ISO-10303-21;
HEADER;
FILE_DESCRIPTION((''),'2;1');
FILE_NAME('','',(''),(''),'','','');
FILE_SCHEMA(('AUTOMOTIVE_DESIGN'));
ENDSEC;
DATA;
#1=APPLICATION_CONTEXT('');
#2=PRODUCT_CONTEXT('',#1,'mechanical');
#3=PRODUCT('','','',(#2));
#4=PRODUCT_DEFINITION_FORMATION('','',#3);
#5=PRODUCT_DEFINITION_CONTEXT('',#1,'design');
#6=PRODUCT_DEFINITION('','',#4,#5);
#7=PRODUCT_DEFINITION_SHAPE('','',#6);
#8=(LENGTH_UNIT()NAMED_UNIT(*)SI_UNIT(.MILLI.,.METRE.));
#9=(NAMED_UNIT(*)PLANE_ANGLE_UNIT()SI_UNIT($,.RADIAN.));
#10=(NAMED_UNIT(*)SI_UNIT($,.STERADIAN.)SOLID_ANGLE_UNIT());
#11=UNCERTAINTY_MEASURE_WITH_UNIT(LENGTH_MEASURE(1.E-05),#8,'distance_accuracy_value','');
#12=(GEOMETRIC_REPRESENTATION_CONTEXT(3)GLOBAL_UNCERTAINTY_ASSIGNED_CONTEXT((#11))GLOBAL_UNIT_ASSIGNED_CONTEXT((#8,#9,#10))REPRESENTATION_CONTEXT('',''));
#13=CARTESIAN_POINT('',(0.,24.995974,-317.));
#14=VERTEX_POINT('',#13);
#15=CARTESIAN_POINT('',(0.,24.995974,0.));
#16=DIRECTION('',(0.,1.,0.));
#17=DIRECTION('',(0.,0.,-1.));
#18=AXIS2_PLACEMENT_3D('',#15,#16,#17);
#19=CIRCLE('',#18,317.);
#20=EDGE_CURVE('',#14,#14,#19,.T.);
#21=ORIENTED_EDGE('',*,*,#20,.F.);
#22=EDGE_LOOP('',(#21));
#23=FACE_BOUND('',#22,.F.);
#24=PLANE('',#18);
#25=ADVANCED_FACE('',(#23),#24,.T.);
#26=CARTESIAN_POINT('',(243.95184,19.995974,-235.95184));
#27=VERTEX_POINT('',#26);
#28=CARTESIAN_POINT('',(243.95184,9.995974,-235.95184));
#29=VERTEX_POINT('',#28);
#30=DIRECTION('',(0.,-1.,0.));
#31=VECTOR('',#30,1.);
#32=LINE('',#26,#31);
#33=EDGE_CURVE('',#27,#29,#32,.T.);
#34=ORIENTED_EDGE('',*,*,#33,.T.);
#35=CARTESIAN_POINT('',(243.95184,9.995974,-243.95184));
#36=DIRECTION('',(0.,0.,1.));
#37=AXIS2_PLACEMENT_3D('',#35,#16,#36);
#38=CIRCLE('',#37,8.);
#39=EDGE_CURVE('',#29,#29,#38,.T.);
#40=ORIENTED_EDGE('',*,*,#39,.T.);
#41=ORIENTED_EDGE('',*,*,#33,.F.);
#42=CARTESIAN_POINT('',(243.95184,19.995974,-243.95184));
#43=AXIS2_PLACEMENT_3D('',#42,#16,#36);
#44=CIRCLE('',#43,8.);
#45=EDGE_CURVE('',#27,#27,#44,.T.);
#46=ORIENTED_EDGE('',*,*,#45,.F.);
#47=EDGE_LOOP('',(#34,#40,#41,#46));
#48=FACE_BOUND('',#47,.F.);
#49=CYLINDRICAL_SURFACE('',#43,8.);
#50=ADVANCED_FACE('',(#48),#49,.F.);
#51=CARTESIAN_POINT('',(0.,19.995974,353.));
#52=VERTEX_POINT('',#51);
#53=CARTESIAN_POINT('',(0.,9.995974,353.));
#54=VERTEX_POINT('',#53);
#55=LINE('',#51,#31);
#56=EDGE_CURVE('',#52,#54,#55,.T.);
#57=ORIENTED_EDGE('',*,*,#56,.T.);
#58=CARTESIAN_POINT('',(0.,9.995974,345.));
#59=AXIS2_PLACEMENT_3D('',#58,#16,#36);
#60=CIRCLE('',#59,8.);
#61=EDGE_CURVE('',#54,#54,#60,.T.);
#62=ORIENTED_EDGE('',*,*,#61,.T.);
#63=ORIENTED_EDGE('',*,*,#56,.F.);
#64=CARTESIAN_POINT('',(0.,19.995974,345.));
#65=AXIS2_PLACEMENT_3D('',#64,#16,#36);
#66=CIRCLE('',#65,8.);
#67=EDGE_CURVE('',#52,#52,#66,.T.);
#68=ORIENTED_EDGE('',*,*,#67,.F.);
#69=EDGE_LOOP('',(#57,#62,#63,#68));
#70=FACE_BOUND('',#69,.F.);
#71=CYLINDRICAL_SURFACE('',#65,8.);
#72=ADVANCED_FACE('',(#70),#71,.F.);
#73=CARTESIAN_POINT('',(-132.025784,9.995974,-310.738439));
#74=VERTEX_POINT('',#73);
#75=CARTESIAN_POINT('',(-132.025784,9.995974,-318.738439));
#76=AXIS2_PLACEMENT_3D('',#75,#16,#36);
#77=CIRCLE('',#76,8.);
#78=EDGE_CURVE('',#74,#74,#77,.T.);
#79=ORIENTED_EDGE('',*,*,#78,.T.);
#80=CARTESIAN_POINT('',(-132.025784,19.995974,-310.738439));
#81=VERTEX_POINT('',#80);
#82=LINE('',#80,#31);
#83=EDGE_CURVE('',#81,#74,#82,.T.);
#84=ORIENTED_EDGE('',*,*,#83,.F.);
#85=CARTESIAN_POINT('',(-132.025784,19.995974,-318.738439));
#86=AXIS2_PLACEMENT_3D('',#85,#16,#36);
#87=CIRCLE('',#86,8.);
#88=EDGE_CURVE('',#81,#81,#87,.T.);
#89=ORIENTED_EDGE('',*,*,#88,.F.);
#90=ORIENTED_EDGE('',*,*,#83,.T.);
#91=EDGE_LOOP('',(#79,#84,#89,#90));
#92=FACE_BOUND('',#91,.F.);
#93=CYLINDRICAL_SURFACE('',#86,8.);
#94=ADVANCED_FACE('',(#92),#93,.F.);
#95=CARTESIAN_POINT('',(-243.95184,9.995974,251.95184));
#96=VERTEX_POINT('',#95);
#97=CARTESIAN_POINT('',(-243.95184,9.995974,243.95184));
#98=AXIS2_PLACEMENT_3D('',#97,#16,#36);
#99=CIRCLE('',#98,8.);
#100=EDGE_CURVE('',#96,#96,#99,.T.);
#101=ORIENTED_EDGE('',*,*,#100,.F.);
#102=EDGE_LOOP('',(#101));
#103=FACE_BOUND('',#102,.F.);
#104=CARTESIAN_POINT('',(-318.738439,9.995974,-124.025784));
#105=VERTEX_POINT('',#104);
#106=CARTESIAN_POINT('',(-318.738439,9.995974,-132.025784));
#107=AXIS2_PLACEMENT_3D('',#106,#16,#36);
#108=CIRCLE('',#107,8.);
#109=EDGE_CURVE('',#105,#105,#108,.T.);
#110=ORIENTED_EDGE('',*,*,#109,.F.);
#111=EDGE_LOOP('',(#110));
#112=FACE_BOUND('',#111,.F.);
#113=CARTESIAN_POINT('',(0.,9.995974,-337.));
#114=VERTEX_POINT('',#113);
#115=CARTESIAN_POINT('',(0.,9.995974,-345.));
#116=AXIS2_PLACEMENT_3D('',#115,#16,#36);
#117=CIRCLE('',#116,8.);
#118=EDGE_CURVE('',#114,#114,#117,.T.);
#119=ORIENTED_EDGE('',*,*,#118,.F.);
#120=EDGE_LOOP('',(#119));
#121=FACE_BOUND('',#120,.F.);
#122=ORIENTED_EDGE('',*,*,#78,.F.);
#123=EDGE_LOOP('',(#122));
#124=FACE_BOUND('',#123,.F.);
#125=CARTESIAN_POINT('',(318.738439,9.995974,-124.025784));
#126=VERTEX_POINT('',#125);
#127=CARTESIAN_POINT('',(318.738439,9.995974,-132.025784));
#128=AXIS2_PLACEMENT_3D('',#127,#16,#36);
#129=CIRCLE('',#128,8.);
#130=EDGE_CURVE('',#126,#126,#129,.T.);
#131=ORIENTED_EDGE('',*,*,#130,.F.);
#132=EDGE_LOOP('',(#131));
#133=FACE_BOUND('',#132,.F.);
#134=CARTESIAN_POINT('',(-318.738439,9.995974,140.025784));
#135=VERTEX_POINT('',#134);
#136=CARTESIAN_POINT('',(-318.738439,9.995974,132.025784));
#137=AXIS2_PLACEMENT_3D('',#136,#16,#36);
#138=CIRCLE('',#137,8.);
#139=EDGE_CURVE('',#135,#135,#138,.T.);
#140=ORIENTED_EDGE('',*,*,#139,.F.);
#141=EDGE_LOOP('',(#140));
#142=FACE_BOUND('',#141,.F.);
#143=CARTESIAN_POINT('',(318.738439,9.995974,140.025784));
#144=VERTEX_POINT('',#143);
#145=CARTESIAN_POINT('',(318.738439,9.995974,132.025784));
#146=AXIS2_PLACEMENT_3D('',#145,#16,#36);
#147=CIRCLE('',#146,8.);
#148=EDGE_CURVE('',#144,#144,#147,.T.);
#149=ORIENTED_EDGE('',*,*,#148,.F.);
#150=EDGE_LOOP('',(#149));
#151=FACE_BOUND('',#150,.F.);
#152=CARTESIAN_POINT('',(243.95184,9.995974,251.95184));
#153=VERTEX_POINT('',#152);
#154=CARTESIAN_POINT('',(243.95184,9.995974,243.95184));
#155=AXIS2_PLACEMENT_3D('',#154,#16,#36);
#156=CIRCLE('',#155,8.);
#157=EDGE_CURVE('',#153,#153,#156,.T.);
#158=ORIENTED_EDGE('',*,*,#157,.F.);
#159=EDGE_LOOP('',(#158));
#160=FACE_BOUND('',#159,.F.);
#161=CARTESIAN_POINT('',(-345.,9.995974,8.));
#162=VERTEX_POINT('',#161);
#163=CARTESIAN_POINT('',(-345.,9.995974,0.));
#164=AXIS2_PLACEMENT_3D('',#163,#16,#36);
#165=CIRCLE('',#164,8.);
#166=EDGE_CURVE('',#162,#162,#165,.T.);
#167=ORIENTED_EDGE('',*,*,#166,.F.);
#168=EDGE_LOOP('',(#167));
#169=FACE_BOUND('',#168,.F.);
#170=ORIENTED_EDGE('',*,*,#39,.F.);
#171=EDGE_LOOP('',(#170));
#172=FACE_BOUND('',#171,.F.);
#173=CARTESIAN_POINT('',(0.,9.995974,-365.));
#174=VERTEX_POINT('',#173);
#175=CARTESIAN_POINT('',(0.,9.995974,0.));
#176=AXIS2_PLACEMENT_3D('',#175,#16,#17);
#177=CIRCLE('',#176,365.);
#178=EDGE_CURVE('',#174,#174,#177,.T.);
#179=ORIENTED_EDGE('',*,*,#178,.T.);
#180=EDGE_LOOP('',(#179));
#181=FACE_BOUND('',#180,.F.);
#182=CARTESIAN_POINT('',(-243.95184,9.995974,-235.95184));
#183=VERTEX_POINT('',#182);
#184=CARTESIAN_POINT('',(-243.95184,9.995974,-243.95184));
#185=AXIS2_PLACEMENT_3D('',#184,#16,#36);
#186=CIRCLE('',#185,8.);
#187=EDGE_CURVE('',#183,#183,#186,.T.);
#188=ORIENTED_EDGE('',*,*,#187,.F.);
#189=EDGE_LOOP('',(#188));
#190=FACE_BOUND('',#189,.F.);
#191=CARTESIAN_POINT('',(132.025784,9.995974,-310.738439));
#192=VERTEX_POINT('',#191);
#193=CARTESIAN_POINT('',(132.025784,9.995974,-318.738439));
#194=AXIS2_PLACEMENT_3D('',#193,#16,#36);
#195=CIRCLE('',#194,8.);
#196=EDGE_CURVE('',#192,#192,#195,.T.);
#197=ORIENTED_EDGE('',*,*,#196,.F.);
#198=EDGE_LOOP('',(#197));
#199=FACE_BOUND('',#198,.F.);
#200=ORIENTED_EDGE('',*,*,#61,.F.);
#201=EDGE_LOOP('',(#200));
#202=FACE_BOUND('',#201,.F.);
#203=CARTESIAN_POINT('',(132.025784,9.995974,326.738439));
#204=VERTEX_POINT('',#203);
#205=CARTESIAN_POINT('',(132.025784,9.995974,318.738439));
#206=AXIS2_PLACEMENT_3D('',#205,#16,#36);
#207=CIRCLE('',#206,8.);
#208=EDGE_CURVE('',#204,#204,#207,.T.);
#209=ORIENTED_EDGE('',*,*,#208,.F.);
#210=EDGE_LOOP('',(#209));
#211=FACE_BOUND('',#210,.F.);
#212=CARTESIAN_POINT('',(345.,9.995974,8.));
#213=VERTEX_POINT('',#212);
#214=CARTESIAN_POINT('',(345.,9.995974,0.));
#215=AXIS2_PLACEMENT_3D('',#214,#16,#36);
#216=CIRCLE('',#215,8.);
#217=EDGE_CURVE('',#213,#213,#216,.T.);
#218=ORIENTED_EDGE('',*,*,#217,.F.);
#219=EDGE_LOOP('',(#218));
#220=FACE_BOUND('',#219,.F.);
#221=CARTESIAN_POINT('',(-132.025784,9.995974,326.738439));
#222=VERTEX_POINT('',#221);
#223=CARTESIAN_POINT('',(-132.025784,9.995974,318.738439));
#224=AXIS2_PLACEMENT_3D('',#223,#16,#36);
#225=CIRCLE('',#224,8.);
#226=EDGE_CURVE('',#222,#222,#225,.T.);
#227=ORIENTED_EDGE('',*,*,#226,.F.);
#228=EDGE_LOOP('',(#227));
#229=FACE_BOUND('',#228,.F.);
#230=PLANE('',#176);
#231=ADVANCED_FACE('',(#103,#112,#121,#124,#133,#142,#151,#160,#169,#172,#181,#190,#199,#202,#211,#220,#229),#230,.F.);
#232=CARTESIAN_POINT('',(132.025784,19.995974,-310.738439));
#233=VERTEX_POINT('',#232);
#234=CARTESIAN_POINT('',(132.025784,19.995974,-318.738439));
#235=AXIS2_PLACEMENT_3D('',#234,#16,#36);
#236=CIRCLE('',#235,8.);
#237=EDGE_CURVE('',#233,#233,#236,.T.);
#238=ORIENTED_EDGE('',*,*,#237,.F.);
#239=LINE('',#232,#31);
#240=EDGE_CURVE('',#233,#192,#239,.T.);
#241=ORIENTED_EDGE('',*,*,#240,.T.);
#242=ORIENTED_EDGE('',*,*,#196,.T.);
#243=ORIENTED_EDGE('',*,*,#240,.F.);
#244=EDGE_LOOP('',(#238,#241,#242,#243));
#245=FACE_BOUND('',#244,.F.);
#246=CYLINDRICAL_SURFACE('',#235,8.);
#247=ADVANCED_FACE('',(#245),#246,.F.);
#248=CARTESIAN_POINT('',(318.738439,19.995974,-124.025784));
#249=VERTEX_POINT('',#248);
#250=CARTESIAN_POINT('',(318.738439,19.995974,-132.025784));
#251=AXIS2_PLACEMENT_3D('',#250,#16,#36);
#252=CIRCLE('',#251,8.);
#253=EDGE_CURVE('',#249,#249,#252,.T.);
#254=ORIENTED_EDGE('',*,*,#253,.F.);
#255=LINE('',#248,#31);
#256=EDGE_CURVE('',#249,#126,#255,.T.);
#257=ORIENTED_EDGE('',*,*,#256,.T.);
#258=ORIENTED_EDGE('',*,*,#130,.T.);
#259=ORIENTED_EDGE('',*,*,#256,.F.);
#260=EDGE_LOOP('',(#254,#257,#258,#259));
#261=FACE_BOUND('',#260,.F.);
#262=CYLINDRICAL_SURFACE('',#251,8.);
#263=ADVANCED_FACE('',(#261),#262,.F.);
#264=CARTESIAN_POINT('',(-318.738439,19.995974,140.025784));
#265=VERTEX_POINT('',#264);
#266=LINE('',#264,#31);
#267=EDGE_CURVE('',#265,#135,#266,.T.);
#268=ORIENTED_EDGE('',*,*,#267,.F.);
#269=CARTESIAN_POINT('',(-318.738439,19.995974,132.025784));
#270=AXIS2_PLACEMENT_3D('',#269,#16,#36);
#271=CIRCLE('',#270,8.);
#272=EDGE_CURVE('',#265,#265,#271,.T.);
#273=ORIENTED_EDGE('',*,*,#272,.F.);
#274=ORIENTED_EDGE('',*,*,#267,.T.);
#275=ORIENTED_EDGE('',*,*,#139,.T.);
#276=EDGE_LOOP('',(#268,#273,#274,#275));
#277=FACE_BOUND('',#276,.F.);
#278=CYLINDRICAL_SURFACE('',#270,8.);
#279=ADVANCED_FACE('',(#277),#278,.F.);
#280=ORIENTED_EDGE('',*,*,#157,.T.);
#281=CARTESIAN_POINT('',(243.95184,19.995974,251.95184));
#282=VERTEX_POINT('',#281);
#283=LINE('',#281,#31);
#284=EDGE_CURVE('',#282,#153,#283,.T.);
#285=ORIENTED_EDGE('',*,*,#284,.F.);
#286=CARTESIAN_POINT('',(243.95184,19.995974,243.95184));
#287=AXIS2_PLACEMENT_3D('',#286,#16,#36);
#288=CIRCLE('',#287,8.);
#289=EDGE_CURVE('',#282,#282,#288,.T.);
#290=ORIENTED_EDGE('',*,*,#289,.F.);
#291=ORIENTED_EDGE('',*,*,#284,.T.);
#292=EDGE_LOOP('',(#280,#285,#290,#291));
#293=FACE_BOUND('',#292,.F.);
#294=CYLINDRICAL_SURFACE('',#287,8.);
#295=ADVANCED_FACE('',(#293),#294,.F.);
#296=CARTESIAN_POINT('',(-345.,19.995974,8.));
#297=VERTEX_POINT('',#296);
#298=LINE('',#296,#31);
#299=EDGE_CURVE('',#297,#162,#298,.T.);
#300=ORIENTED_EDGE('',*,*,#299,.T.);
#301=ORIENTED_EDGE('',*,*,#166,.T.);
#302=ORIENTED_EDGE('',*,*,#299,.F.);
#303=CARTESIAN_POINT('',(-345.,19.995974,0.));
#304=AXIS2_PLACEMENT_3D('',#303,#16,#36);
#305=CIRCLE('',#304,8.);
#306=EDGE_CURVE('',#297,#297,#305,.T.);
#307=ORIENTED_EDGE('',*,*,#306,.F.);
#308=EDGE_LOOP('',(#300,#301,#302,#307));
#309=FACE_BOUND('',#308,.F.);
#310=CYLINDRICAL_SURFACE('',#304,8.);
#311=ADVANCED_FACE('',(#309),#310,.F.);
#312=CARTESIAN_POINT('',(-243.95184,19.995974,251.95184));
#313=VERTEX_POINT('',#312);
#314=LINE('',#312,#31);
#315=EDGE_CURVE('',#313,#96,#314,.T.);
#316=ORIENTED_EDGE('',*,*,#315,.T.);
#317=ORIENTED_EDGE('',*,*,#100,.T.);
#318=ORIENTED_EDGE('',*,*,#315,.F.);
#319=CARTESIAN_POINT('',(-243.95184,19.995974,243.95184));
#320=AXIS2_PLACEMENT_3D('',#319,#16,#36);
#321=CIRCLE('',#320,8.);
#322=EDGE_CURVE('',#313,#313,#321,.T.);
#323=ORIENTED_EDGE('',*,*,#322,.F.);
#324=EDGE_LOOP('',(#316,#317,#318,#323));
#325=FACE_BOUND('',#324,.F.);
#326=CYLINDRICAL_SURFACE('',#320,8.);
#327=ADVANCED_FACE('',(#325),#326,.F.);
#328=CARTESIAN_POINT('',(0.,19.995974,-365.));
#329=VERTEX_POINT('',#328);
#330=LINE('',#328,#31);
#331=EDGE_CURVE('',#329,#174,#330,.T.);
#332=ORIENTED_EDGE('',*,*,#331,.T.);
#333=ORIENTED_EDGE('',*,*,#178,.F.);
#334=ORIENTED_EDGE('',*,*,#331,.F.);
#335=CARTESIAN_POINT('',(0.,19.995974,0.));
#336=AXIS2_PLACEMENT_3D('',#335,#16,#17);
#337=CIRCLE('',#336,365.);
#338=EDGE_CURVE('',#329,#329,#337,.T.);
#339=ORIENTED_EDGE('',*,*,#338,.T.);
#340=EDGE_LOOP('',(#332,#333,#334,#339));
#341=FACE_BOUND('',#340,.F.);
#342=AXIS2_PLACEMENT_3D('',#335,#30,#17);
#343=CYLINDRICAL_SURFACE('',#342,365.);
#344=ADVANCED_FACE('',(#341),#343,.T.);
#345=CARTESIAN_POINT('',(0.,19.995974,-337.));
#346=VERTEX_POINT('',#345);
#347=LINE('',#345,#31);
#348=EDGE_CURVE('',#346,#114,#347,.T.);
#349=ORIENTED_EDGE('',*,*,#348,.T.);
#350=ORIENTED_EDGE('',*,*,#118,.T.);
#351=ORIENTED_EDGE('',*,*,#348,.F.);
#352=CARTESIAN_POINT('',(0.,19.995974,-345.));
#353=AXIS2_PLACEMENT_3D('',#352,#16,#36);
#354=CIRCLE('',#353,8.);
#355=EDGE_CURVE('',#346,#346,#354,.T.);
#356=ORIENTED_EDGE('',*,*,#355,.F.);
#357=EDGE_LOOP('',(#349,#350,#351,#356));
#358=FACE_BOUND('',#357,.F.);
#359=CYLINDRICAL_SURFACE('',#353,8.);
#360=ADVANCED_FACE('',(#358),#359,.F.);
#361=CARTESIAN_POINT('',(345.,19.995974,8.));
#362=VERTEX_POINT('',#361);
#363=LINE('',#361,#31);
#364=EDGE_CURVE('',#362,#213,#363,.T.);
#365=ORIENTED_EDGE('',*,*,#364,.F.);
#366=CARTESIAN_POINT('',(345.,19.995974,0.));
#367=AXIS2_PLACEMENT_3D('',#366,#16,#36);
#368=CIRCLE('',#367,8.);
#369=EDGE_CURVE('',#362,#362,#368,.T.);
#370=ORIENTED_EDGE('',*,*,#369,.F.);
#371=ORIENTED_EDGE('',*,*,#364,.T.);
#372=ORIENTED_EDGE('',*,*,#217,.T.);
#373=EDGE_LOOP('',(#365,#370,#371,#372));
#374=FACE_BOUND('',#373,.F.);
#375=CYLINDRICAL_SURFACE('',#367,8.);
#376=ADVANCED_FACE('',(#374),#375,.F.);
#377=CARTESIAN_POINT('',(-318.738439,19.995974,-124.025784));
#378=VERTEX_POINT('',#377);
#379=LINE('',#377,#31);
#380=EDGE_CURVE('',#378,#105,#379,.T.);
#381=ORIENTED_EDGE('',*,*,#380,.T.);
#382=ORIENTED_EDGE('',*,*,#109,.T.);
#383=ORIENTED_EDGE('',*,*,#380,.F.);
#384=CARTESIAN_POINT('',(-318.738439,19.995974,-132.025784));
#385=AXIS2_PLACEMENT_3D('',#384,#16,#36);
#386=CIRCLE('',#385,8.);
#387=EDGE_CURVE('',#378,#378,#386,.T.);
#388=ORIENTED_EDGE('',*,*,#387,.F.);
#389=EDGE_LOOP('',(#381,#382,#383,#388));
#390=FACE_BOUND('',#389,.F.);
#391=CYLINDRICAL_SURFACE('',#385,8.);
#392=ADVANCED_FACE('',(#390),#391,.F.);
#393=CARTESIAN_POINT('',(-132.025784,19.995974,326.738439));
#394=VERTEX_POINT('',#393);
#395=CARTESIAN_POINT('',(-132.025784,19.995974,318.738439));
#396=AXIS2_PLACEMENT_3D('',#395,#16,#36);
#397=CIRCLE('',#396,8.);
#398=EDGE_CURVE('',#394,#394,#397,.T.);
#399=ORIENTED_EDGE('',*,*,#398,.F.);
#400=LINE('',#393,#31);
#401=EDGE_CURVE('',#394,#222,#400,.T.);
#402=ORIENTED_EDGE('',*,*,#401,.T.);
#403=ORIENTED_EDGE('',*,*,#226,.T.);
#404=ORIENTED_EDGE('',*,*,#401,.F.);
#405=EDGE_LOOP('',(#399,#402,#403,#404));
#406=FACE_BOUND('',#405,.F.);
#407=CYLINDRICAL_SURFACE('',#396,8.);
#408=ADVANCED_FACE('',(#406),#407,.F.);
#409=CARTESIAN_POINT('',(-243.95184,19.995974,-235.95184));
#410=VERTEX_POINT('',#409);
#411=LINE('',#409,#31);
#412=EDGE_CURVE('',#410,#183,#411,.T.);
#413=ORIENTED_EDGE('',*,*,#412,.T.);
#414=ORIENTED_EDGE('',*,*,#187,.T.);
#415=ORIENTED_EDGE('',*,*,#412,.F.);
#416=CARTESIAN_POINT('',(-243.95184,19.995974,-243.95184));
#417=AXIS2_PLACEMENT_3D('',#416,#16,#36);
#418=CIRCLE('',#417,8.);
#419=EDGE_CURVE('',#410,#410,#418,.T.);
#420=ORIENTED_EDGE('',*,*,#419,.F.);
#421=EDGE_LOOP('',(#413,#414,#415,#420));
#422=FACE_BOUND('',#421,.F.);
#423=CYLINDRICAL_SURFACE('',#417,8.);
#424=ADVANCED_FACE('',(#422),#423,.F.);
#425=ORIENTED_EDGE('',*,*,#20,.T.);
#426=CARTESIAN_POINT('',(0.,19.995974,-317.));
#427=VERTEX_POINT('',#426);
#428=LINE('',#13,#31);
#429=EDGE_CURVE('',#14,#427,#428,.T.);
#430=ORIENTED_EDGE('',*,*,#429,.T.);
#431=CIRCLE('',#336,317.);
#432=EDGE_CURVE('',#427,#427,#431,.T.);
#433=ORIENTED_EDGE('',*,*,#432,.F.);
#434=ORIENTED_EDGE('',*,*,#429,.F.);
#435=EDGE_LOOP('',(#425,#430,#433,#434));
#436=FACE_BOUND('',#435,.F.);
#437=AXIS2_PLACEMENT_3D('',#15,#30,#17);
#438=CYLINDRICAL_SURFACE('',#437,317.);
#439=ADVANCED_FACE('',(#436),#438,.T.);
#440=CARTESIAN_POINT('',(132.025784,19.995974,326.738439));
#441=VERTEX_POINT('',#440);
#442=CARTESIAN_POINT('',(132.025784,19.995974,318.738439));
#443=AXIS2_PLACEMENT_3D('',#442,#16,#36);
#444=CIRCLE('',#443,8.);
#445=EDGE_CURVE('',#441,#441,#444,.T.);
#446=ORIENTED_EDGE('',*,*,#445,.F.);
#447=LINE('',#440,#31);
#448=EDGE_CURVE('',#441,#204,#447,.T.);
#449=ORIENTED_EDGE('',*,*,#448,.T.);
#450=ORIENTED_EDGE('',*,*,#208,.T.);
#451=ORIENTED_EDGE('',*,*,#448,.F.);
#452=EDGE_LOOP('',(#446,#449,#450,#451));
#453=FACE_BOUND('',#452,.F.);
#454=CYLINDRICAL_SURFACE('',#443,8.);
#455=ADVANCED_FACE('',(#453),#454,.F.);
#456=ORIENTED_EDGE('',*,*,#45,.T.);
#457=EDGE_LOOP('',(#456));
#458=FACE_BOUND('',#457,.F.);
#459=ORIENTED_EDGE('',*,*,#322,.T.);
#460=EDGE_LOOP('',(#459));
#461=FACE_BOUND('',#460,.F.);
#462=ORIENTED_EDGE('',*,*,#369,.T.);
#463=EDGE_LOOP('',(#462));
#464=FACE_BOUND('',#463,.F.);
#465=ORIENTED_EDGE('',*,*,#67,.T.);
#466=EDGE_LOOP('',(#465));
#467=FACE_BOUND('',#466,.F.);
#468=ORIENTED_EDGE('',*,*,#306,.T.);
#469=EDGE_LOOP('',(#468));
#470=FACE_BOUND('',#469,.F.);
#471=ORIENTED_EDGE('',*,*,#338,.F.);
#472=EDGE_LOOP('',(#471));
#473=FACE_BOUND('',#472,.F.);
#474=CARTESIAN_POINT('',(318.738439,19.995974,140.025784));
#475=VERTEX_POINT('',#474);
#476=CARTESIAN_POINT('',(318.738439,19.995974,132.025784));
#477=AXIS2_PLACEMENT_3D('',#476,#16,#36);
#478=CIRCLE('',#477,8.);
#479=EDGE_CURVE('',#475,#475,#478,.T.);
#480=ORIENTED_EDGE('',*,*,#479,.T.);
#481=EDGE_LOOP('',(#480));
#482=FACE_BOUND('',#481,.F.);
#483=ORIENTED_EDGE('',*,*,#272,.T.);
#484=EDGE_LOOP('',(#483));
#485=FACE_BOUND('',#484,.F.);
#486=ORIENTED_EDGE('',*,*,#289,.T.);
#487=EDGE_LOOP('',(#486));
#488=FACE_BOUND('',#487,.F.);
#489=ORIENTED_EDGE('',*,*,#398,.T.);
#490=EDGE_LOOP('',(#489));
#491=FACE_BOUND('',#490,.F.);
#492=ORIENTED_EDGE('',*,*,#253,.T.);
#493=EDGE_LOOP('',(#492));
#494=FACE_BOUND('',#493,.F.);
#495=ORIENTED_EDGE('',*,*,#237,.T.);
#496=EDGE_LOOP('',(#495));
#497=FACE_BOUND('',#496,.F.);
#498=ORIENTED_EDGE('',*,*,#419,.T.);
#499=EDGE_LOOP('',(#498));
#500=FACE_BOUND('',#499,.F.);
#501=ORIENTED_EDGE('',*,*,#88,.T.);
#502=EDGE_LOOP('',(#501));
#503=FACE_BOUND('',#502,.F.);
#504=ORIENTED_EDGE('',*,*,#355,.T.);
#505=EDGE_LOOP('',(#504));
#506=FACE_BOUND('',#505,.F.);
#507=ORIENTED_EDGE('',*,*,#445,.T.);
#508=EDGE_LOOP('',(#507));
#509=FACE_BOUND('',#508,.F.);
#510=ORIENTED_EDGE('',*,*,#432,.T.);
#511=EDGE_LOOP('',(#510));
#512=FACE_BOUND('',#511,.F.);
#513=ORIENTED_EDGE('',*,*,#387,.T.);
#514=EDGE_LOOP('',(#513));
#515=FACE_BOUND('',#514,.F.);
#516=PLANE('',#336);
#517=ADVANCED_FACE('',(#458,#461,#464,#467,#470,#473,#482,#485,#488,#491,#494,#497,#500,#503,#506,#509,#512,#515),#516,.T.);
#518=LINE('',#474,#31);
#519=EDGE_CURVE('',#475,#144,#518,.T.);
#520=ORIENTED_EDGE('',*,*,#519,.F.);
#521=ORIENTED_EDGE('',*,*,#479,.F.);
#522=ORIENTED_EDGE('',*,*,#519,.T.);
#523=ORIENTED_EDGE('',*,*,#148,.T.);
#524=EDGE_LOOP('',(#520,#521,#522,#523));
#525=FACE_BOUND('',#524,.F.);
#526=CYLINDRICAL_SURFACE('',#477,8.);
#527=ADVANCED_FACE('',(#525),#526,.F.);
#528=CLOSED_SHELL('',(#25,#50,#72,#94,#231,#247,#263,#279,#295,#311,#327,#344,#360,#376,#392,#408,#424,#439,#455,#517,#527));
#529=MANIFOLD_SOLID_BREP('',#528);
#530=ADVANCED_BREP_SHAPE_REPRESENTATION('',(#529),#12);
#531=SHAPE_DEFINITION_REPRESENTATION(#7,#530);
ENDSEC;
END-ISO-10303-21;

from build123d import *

# Parameters (mm, degrees)
SKETCH2_R          = 8
CUT_EXTRUDE1_DEPTH = 517.284805122


with BuildPart() as part:
    # Sketch1 → Revolve1 (revolve)
    with BuildSketch(Plane(origin=(0, 0, 0), x_dir=(0, 0, -1), z_dir=(1, 0, 0)), mode=Mode.PRIVATE) as revolve1_sk:
        Polygon((-365, 19.995973642), (-365, 9.995973642), (0, 9.995973642), (0, 24.995973642), (-317, 24.995973642), (-317, 19.995973642), align=None)
    revolve(revolve1_sk.sketch.rotate(Axis((0, 9.995973642, 0), (0, 1, 0)), 180), axis=Axis((0, 9.995973642, 0), (0, 1, 0)))

    # Sketch2 → Cut-Extrude1 (cut, through all)
    with BuildSketch(Plane(origin=(0, 19.995973642, 0), x_dir=(1, 0, 0), z_dir=(0, 1, 0))):
        with Locations(Location((0, 345, 0), (0, 0, 270))):
            Circle(SKETCH2_R)
        with Locations(Location((132.025784166, 318.738438716, 0), (0, 0, 270))):
            Circle(SKETCH2_R)
        with Locations(Location((243.951839509, 243.951839509, 0), (0, 0, 270))):
            Circle(SKETCH2_R)
        with Locations(Location((318.738438716, 132.025784166, 0), (0, 0, 270))):
            Circle(SKETCH2_R)
        with Locations(Location((345, 0, 0), (0, 0, 270))):
            Circle(SKETCH2_R)
        with Locations(Location((318.738438716, -132.025784166, 0), (0, 0, 270))):
            Circle(SKETCH2_R)
        with Locations(Location((243.951839509, -243.951839509, 0), (0, 0, 270))):
            Circle(SKETCH2_R)
        with Locations(Location((132.025784166, -318.738438716, 0), (0, 0, 270))):
            Circle(SKETCH2_R)
        with Locations(Location((0, -345, 0), (0, 0, 270))):
            Circle(SKETCH2_R)
        with Locations(Location((-132.025784166, -318.738438716, 0), (0, 0, 270))):
            Circle(SKETCH2_R)
        with Locations(Location((-243.951839509, -243.951839509, 0), (0, 0, 270))):
            Circle(SKETCH2_R)
        with Locations(Location((-318.738438716, -132.025784166, 0), (0, 0, 270))):
            Circle(SKETCH2_R)
        with Locations(Location((-345, 0, 0), (0, 0, 270))):
            Circle(SKETCH2_R)
        with Locations(Location((-318.738438716, 132.025784166, 0), (0, 0, 270))):
            Circle(SKETCH2_R)
        with Locations(Location((-243.951839509, 243.951839509, 0), (0, 0, 270))):
            Circle(SKETCH2_R)
        with Locations(Location((-132.025784166, 318.738438716, 0), (0, 0, 270))):
            Circle(SKETCH2_R)
    extrude(amount=-CUT_EXTRUDE1_DEPTH, mode=Mode.SUBTRACT)


solid = part.part
